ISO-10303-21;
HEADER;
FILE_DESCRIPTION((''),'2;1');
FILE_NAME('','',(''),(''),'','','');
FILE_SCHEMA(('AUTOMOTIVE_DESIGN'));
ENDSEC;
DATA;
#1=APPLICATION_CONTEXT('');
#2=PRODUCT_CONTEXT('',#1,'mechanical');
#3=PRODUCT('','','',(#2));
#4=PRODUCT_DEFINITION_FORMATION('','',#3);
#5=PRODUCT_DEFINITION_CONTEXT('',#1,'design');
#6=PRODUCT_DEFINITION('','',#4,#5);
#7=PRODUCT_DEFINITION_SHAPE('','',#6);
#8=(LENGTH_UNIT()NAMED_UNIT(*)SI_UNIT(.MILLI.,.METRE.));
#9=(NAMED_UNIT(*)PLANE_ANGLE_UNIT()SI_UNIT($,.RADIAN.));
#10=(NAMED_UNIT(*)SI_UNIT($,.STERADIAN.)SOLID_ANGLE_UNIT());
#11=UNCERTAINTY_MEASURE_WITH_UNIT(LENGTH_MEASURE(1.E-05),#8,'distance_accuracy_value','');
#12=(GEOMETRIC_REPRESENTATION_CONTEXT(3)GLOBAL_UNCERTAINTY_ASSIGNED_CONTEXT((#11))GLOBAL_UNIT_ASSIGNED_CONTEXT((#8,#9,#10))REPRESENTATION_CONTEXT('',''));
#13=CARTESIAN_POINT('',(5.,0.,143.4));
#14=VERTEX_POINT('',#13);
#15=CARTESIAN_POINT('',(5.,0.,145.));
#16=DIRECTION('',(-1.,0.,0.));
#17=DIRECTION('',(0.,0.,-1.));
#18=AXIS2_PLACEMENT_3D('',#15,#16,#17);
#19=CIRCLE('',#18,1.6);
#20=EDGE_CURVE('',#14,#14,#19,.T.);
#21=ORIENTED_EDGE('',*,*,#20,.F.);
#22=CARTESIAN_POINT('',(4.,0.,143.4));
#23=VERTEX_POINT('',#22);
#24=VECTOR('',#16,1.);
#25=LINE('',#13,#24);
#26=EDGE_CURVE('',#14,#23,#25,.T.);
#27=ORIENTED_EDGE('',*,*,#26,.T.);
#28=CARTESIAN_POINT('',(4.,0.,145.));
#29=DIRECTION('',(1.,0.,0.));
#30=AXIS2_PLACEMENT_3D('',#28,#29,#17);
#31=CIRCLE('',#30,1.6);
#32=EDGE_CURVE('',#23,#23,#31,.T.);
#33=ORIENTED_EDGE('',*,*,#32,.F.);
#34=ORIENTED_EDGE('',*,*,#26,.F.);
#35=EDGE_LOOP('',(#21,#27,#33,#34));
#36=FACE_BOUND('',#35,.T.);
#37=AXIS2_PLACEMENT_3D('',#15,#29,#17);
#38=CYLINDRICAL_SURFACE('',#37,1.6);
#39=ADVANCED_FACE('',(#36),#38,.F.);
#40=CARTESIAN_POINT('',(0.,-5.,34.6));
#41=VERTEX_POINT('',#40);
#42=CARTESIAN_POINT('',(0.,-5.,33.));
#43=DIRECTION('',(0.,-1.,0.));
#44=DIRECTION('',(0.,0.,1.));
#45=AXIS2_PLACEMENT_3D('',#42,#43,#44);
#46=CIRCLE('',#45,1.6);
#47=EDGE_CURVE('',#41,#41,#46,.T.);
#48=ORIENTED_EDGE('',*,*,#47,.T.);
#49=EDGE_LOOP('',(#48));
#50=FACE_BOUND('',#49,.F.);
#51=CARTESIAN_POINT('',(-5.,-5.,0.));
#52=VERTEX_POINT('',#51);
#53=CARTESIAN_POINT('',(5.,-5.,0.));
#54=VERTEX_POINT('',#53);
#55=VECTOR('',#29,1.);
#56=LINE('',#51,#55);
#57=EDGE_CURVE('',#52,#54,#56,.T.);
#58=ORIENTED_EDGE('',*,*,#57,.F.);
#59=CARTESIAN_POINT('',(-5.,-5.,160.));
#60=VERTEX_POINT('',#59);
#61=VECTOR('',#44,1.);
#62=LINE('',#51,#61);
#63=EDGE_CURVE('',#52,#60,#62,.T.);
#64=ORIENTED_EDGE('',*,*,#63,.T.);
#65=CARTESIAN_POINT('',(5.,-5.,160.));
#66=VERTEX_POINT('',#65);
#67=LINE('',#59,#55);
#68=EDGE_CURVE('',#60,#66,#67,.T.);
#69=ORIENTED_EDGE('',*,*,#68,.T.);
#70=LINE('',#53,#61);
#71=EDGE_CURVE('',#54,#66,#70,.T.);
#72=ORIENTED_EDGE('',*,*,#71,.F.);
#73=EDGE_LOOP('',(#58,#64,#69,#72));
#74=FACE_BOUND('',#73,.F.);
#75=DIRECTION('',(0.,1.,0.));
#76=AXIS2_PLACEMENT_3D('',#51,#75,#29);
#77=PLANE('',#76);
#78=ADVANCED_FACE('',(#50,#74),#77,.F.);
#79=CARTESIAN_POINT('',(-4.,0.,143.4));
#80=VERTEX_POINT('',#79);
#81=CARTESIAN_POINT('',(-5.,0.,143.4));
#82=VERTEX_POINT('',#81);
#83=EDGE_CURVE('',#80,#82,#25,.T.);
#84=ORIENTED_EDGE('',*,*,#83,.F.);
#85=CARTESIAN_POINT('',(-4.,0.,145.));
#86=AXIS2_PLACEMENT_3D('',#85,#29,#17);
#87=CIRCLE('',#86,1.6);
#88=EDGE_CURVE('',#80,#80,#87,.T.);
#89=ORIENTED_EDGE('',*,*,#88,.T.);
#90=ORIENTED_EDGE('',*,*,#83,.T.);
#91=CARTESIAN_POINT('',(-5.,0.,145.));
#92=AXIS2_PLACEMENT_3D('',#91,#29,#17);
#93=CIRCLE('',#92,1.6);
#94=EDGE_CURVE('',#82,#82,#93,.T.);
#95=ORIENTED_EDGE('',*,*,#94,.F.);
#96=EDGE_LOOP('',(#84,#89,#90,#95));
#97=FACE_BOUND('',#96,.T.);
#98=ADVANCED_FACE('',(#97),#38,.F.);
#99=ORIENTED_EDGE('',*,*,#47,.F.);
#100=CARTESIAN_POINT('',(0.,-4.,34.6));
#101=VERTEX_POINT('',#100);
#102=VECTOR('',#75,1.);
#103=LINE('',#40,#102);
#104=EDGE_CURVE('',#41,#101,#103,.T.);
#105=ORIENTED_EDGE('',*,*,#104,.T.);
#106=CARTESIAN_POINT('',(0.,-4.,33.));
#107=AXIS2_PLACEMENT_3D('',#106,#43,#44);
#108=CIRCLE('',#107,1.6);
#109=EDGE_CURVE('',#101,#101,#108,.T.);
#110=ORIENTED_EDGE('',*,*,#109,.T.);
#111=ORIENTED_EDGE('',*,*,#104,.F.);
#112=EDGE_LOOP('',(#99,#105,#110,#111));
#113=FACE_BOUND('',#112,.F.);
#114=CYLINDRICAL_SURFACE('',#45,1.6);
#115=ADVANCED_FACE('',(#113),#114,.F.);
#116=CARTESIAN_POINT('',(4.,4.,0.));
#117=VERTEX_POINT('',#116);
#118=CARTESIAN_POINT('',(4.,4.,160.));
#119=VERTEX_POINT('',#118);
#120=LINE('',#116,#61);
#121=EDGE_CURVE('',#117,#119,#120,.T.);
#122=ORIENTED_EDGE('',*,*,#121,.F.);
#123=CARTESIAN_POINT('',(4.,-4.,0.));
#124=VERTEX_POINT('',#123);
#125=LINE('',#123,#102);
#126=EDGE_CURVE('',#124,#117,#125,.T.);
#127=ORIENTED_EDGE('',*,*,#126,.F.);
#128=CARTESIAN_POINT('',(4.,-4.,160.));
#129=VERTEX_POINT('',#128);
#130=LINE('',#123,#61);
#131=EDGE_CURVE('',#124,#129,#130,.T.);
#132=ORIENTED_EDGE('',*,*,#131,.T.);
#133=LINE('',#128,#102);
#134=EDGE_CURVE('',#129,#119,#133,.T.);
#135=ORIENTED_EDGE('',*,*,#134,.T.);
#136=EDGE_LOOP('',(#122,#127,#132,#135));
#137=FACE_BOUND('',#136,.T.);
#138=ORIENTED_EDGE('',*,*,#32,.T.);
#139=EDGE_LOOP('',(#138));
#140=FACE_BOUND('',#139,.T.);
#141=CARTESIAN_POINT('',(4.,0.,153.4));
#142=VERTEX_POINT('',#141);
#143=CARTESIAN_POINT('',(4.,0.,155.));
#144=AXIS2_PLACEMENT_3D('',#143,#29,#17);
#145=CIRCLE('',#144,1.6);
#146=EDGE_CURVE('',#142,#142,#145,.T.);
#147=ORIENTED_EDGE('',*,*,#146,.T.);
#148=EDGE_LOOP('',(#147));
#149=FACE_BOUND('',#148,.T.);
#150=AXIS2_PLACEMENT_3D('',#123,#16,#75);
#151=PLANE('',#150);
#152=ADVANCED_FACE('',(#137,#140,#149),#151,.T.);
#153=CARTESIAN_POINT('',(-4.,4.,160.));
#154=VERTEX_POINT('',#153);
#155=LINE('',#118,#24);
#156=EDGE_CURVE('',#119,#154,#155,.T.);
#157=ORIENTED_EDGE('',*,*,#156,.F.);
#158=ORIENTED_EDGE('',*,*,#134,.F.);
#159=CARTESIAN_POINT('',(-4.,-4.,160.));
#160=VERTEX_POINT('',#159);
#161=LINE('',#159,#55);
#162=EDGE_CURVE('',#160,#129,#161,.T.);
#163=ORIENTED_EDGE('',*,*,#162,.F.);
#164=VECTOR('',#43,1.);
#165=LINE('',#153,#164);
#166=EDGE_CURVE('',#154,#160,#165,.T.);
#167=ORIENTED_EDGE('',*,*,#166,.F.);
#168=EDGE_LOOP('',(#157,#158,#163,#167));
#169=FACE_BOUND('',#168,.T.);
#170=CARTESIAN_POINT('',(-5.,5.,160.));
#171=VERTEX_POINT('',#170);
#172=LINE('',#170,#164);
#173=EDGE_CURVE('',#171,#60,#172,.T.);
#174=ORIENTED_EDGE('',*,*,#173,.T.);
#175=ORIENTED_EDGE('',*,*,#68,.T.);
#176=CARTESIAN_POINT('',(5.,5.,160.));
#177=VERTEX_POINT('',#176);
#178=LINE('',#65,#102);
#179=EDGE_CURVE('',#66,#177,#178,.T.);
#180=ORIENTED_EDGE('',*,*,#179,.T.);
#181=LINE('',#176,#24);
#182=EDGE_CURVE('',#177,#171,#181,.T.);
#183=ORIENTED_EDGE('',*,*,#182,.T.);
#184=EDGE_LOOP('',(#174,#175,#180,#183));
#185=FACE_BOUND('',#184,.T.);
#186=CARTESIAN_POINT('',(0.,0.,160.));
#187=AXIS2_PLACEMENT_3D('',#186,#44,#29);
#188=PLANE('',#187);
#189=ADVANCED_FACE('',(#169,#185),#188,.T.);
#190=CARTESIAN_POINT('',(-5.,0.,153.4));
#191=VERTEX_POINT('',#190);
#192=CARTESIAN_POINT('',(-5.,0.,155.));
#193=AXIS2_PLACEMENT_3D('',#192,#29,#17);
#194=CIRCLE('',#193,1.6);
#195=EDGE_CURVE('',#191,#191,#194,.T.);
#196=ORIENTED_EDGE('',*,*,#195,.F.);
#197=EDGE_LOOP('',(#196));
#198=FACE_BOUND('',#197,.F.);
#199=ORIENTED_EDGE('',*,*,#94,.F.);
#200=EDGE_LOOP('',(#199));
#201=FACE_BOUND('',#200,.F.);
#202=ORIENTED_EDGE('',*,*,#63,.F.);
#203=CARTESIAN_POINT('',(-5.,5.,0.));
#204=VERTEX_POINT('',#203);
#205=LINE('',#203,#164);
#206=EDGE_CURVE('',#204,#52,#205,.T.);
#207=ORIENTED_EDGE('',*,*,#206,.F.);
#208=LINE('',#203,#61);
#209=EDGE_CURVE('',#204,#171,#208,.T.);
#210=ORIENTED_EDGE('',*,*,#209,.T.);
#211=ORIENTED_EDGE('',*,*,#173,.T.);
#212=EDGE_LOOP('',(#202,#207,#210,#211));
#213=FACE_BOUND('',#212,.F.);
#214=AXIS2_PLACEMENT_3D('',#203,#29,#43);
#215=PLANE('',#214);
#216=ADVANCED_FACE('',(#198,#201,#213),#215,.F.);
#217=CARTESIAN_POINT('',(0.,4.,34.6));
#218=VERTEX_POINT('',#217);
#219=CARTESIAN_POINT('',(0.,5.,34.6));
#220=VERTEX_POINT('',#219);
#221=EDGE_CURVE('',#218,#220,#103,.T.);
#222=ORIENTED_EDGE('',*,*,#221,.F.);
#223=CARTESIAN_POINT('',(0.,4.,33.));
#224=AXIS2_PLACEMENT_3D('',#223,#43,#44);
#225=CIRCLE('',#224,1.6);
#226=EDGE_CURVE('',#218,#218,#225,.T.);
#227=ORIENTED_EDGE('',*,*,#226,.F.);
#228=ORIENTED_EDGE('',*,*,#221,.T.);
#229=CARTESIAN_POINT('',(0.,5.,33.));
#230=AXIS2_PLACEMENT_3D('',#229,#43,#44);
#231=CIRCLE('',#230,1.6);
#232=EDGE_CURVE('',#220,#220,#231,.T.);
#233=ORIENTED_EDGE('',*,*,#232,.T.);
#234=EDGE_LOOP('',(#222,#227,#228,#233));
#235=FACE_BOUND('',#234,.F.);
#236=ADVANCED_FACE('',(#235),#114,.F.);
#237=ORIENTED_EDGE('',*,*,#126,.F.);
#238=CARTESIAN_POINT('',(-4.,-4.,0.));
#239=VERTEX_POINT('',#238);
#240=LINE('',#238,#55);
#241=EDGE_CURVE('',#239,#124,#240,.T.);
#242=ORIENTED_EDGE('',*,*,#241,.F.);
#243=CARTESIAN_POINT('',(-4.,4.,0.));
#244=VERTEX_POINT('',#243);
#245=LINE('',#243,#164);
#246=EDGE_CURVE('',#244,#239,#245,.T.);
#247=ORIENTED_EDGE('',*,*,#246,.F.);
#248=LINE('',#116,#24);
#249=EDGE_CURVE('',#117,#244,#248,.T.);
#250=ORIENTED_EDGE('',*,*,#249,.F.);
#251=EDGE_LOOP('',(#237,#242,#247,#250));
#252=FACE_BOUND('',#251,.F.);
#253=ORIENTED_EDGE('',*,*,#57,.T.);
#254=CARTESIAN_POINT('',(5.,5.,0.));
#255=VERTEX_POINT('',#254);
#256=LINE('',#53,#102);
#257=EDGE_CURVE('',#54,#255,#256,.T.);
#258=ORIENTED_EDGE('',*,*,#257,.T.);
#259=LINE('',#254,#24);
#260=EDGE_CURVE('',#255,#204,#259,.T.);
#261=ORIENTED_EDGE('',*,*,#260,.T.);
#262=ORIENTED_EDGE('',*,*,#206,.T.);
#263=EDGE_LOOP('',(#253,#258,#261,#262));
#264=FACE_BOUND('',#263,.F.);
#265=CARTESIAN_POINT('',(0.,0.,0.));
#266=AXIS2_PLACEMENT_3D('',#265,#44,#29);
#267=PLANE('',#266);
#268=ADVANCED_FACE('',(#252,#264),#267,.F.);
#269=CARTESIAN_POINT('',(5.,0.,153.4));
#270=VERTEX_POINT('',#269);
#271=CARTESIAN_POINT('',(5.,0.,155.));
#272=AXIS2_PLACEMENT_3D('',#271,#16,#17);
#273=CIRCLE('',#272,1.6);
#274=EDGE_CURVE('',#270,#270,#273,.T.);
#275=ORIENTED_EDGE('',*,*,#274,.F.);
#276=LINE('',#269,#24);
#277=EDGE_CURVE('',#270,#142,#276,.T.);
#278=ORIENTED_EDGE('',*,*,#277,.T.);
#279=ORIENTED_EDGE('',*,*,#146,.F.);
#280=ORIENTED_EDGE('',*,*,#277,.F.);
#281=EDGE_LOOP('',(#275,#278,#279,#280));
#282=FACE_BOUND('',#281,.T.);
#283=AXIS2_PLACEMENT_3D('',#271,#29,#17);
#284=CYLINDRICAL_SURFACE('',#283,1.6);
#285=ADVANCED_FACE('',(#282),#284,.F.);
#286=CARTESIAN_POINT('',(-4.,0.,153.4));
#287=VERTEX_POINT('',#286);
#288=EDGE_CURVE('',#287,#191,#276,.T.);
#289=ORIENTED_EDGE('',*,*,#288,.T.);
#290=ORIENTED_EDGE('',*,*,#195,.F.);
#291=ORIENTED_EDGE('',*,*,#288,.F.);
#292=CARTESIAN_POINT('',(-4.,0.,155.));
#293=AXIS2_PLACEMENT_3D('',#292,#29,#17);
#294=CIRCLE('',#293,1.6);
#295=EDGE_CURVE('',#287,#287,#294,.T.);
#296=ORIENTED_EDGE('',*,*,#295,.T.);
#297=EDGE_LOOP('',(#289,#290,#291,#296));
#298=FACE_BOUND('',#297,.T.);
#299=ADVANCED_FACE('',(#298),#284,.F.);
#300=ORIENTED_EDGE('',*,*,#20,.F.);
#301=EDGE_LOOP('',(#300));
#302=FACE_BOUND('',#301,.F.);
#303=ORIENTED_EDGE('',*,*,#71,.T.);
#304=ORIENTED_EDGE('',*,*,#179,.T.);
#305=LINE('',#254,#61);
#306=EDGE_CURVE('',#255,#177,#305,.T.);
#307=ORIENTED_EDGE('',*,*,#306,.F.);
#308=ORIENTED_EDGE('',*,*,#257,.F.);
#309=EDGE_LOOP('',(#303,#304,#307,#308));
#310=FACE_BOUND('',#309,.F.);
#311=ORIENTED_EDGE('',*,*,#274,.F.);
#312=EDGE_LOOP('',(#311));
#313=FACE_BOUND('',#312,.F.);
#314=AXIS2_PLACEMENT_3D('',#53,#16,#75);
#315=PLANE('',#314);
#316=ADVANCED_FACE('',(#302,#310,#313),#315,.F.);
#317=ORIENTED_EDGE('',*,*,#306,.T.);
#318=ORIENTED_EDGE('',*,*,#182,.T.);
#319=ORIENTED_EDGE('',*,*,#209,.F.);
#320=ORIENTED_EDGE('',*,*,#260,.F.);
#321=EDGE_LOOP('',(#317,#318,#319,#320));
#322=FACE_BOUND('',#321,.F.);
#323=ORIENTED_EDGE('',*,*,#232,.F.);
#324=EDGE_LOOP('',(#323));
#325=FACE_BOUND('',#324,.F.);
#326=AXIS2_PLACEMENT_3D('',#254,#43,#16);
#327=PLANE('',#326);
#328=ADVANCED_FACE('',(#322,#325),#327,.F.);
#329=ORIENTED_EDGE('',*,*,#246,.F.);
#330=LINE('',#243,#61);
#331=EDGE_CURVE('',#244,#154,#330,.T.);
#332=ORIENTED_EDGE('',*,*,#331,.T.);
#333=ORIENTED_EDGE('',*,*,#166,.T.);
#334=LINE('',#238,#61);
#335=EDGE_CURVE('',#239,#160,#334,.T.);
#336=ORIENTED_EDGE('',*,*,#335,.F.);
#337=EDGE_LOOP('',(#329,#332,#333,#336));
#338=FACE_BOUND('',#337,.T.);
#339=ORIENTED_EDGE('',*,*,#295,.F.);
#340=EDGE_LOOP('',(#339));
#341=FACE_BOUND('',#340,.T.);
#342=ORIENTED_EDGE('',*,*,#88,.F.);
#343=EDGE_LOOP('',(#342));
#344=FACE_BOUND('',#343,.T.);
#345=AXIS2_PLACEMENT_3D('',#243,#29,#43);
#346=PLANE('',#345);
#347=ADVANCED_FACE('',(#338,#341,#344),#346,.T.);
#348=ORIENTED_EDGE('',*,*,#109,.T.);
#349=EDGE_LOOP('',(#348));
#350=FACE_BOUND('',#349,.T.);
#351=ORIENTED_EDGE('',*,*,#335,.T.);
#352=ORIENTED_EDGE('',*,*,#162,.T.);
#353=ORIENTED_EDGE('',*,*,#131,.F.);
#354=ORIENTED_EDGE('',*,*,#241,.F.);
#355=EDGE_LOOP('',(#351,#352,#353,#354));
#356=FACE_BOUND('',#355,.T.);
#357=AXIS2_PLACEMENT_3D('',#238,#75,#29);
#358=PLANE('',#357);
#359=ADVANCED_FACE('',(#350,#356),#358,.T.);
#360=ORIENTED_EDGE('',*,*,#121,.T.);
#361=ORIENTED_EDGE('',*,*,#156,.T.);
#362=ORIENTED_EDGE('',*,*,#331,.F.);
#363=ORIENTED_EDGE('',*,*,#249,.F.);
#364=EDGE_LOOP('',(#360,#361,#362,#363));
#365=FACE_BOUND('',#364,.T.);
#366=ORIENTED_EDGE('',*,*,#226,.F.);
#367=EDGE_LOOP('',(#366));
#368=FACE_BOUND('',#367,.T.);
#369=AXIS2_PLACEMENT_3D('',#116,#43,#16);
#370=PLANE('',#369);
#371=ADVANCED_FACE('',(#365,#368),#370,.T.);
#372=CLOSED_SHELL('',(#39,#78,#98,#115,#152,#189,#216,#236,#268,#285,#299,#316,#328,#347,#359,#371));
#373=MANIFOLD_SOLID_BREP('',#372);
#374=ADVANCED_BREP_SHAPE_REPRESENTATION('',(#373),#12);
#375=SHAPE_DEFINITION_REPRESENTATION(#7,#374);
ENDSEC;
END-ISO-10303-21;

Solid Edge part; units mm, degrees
sketch "Sketch1" plane through (0, 0, 0) normal (0, 0, 1) x (1, 0, 0)
  line L0 (-4, -4) -> (4, -4)
  line L1 (4, -4) -> (4, 4)
  line L2 (4, 4) -> (-4, 4)
  line L3 (-4, 4) -> (-4, -4)
  line L4 (-5, -5) -> (5, -5)
  line L5 (5, -5) -> (5, 5)
  line L6 (5, 5) -> (-5, 5)
  line L7 (-5, 5) -> (-5, -5)
extrude "Protrusion1" add sketch "Sketch1" along normal blind 160
hole "Hole_1" at (5, 0, 155) direction (-1, 0, 0) diameter 3.2 end through all
hole "Hole1" at (5, 0, 145) direction (-1, 0, 0) diameter 3.2 end through all
sketch "Sketch2" plane through (0, -5, 80) normal (0, -1, 0) x (0, 0, 1)
  circle A0 centre (-47, 0) radius 1.6
  dimension "D1" = 33
extrude "Cutout1" cut sketch "Sketch2" against normal blind 33.3
properties material "Aluminum, 1060"
